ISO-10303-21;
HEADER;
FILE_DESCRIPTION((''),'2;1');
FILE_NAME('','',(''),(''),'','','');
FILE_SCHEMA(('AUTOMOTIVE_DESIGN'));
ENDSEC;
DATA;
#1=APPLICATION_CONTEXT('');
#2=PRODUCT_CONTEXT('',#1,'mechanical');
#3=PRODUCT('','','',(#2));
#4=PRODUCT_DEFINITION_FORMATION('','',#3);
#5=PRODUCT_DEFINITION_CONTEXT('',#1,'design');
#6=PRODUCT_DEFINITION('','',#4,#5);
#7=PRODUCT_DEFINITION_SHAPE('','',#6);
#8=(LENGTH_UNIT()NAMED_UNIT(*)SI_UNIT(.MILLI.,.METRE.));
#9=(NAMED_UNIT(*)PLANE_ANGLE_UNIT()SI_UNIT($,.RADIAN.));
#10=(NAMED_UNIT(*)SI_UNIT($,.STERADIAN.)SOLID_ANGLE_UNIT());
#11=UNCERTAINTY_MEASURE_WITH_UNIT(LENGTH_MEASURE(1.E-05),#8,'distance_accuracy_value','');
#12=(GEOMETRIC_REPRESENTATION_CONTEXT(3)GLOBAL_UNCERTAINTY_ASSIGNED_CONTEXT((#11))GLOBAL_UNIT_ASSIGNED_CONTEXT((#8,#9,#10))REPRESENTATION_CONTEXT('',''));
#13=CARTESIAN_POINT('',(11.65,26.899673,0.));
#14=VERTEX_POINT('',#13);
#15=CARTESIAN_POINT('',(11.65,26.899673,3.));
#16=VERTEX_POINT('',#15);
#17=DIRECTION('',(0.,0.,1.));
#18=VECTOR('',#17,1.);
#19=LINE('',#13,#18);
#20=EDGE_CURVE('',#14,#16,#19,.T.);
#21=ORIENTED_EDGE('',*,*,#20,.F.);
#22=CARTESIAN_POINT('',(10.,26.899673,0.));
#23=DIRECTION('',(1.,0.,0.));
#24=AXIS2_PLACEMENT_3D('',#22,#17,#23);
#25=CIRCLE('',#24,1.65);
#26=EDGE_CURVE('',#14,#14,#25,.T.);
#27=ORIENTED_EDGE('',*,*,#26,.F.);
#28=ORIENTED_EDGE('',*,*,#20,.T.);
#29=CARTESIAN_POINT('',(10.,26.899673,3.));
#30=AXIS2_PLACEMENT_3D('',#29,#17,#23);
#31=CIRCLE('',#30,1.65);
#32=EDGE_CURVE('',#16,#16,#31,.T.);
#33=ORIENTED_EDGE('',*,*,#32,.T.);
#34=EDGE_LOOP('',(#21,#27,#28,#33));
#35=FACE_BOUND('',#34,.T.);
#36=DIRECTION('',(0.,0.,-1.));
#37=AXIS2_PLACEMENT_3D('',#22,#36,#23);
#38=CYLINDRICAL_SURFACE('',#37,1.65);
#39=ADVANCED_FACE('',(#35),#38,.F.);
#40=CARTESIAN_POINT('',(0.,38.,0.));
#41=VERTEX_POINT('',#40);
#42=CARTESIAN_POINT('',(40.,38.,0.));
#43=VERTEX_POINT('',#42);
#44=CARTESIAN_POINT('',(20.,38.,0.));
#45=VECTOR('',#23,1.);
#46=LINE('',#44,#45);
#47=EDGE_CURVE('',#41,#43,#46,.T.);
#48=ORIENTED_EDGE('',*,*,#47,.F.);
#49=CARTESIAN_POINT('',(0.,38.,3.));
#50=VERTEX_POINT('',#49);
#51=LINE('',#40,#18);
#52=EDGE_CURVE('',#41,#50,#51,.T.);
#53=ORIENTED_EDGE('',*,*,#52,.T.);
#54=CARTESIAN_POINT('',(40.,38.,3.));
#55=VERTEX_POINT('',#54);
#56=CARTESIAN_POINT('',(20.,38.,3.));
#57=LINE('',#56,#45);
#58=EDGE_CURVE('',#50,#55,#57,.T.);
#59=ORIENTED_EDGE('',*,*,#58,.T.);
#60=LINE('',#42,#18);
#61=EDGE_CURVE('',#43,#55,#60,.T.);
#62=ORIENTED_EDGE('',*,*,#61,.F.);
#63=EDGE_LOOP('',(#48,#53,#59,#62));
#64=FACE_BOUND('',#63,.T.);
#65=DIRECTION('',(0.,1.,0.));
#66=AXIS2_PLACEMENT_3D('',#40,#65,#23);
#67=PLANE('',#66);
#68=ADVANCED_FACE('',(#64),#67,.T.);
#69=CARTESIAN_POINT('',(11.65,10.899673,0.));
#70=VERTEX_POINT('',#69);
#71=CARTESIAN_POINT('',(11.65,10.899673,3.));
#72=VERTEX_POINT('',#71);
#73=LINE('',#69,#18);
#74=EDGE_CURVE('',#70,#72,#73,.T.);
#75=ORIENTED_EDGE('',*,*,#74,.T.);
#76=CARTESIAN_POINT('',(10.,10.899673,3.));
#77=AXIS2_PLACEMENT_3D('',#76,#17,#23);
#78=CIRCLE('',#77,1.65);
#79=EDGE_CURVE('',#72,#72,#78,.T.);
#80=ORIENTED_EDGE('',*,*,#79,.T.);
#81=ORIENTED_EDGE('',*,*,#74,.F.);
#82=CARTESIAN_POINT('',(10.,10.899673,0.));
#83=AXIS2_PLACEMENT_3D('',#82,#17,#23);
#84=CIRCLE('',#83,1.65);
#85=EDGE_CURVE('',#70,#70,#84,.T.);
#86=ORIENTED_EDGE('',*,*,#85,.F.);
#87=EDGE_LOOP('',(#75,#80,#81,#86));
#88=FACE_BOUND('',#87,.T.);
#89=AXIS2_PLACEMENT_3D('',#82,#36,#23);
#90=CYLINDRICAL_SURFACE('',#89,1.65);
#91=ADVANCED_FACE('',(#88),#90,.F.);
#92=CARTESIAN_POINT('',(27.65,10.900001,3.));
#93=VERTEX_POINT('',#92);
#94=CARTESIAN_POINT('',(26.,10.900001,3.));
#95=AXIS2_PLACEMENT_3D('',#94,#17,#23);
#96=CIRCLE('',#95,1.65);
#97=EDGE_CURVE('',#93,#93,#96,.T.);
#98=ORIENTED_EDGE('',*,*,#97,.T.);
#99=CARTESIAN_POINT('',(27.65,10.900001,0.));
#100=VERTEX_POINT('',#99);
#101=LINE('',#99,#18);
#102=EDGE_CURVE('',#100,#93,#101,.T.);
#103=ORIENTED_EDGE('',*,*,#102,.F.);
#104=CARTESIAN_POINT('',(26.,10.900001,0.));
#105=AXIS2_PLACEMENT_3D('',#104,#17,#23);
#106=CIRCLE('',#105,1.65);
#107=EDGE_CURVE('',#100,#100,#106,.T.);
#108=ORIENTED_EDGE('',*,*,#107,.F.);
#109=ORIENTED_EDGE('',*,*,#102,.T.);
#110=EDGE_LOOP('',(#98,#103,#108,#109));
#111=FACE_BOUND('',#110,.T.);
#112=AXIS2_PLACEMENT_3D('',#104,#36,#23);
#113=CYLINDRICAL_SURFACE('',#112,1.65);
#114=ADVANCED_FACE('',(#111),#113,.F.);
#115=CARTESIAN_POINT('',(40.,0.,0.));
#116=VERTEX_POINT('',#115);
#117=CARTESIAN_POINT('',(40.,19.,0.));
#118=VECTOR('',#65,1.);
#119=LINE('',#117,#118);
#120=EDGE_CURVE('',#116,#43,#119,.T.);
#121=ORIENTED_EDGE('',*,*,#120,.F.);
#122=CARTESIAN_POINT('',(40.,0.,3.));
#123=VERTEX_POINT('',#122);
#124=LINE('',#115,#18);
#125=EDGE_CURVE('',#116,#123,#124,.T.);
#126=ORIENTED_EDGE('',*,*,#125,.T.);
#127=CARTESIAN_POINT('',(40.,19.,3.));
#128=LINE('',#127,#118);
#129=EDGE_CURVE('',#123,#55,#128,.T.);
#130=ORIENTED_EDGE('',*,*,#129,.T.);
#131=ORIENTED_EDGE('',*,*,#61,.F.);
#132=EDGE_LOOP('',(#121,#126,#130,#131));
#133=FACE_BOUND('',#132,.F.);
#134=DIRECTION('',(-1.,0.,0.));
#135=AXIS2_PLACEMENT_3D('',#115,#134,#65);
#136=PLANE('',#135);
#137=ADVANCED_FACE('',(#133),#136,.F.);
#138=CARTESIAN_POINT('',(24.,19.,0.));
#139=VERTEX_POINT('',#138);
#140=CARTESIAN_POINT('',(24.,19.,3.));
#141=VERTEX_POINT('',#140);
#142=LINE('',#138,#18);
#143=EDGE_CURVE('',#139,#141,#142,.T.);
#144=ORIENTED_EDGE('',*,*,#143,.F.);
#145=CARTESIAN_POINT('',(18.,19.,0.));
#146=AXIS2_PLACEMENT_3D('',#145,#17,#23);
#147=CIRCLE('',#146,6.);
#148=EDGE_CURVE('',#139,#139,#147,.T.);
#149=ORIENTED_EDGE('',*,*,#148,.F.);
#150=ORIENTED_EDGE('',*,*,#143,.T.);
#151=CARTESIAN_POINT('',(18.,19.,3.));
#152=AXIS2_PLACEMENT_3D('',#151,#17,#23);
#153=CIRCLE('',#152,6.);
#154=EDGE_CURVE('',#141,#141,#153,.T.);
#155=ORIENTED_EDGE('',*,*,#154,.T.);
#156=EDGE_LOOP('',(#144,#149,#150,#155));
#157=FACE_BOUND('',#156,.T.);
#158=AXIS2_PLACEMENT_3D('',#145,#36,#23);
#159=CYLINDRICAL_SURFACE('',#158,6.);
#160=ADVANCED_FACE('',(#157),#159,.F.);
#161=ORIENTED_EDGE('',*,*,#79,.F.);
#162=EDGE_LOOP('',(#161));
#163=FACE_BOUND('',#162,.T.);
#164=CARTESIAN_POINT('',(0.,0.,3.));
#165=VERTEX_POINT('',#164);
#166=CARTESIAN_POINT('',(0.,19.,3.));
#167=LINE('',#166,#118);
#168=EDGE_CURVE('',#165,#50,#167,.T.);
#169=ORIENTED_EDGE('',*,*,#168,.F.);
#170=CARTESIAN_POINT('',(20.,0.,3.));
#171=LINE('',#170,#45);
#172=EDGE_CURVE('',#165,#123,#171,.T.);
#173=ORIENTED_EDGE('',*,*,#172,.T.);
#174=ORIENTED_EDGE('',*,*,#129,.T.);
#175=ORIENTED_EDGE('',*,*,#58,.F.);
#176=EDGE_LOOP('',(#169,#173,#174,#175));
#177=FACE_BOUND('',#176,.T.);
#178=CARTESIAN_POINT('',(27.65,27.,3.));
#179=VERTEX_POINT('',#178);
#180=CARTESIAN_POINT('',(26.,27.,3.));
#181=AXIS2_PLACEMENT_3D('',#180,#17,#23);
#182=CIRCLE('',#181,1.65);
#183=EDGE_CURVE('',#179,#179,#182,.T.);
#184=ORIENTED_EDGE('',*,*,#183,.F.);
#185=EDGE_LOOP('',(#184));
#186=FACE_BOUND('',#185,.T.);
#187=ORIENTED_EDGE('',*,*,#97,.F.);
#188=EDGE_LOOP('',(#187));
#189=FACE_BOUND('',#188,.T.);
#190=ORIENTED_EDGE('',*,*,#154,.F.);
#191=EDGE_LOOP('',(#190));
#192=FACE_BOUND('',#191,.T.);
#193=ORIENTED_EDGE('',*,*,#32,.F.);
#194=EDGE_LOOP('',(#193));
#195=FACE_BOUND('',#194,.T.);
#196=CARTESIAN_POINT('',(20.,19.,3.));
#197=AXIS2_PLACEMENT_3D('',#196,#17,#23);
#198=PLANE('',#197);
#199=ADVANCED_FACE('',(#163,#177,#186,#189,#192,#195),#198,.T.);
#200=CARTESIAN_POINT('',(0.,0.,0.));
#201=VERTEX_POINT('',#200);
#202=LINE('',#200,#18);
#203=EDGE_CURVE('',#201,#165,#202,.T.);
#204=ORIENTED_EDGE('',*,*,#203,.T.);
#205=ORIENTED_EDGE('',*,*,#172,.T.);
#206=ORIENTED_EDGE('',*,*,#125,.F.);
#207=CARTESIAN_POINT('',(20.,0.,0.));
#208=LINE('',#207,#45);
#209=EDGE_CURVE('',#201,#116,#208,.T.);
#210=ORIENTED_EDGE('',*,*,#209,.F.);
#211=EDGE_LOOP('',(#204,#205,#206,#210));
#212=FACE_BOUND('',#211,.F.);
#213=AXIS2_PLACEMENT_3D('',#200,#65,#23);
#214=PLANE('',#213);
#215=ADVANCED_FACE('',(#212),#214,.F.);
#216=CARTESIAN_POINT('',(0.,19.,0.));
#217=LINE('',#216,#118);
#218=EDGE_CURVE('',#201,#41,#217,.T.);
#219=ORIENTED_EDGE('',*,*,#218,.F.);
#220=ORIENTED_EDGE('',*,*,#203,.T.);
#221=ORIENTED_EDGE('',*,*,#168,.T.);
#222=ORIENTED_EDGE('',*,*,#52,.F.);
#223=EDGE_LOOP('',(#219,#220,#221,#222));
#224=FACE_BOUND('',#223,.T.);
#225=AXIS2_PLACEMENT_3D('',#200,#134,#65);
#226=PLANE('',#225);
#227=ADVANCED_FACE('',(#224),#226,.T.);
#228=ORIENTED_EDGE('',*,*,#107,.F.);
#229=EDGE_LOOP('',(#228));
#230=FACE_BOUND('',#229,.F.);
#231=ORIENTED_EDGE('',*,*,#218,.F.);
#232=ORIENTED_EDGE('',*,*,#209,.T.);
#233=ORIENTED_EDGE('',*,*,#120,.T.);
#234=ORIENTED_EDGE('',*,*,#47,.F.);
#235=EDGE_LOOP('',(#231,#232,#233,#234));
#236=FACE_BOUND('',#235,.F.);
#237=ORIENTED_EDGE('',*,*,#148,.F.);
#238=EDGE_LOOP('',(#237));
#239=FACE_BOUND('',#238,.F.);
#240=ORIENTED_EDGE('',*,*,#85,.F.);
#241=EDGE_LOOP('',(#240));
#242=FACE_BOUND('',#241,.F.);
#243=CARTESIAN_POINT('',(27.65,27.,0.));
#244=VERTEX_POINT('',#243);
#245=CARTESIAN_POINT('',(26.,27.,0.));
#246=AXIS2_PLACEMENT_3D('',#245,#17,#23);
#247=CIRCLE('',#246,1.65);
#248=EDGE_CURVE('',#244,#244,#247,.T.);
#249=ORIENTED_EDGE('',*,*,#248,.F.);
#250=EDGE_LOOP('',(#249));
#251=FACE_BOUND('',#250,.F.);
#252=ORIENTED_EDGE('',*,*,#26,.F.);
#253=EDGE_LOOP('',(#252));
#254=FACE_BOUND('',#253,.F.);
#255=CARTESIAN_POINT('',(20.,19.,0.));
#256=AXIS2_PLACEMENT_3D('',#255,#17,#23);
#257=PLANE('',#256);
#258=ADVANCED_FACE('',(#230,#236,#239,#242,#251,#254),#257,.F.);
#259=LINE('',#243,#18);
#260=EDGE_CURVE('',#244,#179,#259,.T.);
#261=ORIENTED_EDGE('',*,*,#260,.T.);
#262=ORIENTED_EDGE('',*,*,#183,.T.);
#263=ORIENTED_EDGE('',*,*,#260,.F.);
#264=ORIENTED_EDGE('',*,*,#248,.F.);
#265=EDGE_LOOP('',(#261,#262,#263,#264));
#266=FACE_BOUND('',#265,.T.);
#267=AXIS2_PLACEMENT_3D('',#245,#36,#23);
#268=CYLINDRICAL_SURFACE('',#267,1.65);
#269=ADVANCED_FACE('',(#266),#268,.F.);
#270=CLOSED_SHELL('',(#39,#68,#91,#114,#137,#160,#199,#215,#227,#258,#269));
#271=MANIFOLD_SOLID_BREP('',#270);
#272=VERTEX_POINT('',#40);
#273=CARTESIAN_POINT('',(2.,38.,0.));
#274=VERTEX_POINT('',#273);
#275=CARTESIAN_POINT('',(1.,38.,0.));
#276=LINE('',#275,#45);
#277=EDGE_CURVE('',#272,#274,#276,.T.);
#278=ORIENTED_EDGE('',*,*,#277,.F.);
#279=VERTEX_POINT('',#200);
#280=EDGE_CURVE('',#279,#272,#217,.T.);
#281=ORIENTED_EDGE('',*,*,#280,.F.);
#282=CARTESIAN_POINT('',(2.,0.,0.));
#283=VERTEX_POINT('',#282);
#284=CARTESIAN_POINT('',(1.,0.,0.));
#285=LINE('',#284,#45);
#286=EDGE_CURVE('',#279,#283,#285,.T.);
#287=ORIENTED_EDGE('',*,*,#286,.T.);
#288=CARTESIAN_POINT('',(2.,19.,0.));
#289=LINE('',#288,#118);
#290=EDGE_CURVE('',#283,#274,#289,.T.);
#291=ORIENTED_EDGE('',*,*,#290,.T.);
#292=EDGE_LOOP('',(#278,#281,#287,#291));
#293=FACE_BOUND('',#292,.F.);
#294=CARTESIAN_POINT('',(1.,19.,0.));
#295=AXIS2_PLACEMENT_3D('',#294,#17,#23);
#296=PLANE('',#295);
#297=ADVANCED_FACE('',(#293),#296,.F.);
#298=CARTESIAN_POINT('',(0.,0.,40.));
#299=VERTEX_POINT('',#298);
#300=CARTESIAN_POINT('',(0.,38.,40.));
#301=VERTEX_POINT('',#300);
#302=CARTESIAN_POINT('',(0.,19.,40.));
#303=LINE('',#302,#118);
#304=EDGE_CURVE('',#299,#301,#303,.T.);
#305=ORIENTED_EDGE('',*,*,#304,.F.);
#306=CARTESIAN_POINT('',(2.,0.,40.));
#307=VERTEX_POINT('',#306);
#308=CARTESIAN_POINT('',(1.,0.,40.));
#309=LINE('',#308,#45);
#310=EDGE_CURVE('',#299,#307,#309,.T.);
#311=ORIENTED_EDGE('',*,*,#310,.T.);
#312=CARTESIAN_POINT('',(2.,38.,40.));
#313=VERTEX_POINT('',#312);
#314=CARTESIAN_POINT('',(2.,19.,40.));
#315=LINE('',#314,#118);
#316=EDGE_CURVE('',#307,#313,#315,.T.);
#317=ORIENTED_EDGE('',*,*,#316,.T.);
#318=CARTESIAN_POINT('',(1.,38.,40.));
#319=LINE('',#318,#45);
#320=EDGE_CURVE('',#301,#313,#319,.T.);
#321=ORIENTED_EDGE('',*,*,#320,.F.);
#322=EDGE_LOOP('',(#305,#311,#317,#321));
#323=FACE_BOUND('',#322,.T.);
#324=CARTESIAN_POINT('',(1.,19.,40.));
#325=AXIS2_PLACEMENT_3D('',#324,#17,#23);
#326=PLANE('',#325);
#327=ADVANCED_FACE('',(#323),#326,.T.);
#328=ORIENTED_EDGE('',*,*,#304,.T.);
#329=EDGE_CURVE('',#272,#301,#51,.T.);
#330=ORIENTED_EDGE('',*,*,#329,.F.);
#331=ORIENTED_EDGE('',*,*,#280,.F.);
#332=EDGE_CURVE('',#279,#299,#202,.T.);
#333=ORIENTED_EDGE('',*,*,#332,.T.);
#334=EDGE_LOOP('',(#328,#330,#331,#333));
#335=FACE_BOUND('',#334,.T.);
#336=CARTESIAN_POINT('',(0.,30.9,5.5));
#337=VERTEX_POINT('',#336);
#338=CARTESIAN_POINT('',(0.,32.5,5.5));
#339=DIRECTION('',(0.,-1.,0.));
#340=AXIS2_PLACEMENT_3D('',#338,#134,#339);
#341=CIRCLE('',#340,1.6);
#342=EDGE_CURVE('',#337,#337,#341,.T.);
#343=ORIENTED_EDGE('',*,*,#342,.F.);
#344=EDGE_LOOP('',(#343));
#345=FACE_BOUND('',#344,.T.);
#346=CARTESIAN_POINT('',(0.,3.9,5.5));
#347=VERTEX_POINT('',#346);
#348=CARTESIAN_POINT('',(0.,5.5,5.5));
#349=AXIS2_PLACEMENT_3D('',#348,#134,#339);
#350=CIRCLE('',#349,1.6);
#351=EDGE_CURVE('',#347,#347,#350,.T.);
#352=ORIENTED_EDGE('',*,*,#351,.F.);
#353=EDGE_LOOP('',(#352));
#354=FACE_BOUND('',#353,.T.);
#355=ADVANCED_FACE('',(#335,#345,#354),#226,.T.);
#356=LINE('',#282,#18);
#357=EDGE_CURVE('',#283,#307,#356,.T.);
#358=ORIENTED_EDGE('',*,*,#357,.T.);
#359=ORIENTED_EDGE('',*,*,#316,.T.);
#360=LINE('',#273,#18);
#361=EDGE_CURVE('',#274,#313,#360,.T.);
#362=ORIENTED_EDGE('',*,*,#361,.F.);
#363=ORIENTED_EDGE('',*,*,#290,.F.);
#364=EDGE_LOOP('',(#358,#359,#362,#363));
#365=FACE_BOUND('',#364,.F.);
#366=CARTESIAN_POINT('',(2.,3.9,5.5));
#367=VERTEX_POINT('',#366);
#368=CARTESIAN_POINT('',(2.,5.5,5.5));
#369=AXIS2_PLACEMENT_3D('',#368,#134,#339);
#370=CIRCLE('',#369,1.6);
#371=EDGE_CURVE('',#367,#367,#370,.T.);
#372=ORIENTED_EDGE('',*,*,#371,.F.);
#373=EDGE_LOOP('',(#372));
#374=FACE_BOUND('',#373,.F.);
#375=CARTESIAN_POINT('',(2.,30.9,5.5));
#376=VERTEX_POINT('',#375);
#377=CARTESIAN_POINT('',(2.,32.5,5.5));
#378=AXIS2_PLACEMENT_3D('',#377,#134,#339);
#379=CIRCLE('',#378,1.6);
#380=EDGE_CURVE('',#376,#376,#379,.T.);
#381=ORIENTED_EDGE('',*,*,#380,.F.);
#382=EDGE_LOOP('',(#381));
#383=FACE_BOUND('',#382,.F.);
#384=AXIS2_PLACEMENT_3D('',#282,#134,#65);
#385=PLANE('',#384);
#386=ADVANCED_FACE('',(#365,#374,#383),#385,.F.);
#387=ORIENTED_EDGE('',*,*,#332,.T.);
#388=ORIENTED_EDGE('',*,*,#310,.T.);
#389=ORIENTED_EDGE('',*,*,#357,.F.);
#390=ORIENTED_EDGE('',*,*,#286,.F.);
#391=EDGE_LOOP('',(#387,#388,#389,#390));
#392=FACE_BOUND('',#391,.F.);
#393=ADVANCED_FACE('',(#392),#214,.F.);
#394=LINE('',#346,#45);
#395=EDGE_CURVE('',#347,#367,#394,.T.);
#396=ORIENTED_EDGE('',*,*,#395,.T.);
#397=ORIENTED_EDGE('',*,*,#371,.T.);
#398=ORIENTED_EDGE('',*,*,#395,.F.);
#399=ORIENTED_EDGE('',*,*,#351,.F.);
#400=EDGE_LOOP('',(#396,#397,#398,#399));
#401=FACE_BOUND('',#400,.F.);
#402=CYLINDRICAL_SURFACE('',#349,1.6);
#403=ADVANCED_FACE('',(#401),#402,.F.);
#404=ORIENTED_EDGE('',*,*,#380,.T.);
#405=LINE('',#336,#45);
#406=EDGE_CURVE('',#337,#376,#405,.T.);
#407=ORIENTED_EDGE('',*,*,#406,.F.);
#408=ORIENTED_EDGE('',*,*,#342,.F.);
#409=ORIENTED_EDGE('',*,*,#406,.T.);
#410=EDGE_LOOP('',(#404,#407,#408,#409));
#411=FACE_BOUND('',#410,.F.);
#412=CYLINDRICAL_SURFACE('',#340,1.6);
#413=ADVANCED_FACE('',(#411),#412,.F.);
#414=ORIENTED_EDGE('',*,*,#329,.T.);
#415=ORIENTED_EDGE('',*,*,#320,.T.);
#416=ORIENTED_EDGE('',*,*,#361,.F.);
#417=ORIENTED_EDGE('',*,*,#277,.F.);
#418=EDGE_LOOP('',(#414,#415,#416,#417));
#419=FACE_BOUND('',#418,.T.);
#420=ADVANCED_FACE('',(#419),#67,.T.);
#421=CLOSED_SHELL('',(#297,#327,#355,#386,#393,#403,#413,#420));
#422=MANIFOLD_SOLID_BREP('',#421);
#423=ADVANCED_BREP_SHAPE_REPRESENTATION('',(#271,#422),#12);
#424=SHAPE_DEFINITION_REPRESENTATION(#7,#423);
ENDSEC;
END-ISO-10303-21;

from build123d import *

# Parameters (mm, degrees)
SKETCH_W     = 40
SKETCH_H     = 38
SKETCH_R     = 6
SKETCH_R_2   = 1.65
PAD_DEPTH    = 3
SKETCH001_W  = 2
SKETCH001_H  = 38
PAD001_DEPTH = 40
SKETCH002_R  = 1.6
POCKET_DEPTH = 4


with BuildPart() as pad:
    # Sketch → Pad (new body)
    with BuildSketch(Plane.XY):
        with Locations((20, 19)):
            Rectangle(SKETCH_W, SKETCH_H)
        with Locations((18, 19)):
            Circle(SKETCH_R, mode=Mode.SUBTRACT)
        with Locations((26, 27)):
            Circle(SKETCH_R_2, mode=Mode.SUBTRACT)
        with Locations((10, 26.899673)):
            Circle(SKETCH_R_2, mode=Mode.SUBTRACT)
        with Locations((10, 10.899673)):
            Circle(SKETCH_R_2, mode=Mode.SUBTRACT)
        with Locations((26, 10.900001)):
            Circle(SKETCH_R_2, mode=Mode.SUBTRACT)
    extrude(amount=PAD_DEPTH)


with BuildPart() as pocket:
    # Sketch001 → Pad001 (new body)
    with BuildSketch(Plane.XY):
        with Locations((1, 19)):
            Rectangle(SKETCH001_W, SKETCH001_H)
    extrude(amount=PAD001_DEPTH)

    # Sketch002 → Pocket (cut)
    with BuildSketch(Plane(origin=(0, 0, 0), x_dir=(0, -1, 0), z_dir=(-1, 0, 0))):
        with Locations((-5.5, 5.5)):
            Circle(SKETCH002_R)
        with Locations((-32.5, 5.5)):
            Circle(SKETCH002_R)
    extrude(amount=-POCKET_DEPTH, mode=Mode.SUBTRACT)


solid = Compound([pad.part, pocket.part])
